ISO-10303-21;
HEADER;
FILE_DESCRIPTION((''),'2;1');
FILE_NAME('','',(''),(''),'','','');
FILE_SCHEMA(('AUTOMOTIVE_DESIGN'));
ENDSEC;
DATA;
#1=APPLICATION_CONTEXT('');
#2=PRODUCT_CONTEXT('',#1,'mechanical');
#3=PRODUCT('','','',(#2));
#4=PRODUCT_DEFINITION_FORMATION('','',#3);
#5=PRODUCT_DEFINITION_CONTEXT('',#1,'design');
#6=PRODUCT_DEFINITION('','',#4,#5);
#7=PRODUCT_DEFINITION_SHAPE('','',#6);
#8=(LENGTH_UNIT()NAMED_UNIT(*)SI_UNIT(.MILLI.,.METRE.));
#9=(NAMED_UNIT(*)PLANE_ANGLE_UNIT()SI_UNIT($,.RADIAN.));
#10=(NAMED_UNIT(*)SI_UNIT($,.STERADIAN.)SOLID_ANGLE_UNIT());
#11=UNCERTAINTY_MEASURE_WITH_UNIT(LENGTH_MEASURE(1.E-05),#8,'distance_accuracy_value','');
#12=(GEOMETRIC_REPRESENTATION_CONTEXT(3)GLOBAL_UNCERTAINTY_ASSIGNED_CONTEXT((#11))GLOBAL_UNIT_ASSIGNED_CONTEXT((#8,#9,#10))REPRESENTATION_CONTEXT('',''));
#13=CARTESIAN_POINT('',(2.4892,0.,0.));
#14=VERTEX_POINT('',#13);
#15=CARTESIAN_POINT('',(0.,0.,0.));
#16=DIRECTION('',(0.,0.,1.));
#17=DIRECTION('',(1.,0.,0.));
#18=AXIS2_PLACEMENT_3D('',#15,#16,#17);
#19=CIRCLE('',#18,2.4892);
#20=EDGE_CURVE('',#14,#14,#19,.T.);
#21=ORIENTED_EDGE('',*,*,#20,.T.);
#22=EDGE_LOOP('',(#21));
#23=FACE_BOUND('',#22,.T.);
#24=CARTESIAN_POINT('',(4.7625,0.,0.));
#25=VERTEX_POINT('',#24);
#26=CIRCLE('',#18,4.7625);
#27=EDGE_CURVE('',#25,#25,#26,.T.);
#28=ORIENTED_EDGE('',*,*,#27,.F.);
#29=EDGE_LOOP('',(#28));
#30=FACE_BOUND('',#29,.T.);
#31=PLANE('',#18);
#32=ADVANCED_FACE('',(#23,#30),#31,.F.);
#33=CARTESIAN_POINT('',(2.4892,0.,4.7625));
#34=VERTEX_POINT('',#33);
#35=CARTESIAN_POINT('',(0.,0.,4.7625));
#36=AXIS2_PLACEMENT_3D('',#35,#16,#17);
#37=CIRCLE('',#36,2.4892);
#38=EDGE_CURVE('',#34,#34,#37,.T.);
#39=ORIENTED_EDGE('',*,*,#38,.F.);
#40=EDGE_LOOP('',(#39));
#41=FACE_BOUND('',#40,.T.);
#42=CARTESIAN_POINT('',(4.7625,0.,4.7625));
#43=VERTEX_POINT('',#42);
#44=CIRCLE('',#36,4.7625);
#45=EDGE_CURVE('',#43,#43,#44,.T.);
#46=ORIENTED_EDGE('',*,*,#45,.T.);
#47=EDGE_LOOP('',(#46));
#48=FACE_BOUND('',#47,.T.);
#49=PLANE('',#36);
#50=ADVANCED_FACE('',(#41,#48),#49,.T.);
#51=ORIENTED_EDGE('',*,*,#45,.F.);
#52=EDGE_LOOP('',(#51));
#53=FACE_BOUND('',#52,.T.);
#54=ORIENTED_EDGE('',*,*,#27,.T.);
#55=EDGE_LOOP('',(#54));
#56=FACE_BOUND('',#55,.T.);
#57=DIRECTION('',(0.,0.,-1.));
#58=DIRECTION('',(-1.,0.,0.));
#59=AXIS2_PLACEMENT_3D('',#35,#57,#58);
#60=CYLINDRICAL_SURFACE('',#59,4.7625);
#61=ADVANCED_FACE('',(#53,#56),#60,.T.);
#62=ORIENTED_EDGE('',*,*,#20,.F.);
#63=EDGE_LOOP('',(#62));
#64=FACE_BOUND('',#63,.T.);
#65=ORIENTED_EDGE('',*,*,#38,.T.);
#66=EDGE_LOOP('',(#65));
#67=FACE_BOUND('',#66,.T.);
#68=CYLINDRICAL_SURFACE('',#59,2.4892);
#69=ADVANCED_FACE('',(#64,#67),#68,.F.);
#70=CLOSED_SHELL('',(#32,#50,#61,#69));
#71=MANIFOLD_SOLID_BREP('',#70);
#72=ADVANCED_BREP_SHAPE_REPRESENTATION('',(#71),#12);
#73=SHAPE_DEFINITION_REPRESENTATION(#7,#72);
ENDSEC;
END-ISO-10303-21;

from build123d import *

# Parameters (mm, degrees)
SKETCH1_R           = 4.7625
SKETCH1_R_2         = 2.4892
BOSS_EXTRUDE1_DEPTH = 4.7625


with BuildPart() as part:
    # Sketch1 → Boss-Extrude1 (new body)
    with BuildSketch(Plane.XY):
        Circle(SKETCH1_R)
        Circle(SKETCH1_R_2, mode=Mode.SUBTRACT)
    extrude(amount=BOSS_EXTRUDE1_DEPTH)


solid = part.part
